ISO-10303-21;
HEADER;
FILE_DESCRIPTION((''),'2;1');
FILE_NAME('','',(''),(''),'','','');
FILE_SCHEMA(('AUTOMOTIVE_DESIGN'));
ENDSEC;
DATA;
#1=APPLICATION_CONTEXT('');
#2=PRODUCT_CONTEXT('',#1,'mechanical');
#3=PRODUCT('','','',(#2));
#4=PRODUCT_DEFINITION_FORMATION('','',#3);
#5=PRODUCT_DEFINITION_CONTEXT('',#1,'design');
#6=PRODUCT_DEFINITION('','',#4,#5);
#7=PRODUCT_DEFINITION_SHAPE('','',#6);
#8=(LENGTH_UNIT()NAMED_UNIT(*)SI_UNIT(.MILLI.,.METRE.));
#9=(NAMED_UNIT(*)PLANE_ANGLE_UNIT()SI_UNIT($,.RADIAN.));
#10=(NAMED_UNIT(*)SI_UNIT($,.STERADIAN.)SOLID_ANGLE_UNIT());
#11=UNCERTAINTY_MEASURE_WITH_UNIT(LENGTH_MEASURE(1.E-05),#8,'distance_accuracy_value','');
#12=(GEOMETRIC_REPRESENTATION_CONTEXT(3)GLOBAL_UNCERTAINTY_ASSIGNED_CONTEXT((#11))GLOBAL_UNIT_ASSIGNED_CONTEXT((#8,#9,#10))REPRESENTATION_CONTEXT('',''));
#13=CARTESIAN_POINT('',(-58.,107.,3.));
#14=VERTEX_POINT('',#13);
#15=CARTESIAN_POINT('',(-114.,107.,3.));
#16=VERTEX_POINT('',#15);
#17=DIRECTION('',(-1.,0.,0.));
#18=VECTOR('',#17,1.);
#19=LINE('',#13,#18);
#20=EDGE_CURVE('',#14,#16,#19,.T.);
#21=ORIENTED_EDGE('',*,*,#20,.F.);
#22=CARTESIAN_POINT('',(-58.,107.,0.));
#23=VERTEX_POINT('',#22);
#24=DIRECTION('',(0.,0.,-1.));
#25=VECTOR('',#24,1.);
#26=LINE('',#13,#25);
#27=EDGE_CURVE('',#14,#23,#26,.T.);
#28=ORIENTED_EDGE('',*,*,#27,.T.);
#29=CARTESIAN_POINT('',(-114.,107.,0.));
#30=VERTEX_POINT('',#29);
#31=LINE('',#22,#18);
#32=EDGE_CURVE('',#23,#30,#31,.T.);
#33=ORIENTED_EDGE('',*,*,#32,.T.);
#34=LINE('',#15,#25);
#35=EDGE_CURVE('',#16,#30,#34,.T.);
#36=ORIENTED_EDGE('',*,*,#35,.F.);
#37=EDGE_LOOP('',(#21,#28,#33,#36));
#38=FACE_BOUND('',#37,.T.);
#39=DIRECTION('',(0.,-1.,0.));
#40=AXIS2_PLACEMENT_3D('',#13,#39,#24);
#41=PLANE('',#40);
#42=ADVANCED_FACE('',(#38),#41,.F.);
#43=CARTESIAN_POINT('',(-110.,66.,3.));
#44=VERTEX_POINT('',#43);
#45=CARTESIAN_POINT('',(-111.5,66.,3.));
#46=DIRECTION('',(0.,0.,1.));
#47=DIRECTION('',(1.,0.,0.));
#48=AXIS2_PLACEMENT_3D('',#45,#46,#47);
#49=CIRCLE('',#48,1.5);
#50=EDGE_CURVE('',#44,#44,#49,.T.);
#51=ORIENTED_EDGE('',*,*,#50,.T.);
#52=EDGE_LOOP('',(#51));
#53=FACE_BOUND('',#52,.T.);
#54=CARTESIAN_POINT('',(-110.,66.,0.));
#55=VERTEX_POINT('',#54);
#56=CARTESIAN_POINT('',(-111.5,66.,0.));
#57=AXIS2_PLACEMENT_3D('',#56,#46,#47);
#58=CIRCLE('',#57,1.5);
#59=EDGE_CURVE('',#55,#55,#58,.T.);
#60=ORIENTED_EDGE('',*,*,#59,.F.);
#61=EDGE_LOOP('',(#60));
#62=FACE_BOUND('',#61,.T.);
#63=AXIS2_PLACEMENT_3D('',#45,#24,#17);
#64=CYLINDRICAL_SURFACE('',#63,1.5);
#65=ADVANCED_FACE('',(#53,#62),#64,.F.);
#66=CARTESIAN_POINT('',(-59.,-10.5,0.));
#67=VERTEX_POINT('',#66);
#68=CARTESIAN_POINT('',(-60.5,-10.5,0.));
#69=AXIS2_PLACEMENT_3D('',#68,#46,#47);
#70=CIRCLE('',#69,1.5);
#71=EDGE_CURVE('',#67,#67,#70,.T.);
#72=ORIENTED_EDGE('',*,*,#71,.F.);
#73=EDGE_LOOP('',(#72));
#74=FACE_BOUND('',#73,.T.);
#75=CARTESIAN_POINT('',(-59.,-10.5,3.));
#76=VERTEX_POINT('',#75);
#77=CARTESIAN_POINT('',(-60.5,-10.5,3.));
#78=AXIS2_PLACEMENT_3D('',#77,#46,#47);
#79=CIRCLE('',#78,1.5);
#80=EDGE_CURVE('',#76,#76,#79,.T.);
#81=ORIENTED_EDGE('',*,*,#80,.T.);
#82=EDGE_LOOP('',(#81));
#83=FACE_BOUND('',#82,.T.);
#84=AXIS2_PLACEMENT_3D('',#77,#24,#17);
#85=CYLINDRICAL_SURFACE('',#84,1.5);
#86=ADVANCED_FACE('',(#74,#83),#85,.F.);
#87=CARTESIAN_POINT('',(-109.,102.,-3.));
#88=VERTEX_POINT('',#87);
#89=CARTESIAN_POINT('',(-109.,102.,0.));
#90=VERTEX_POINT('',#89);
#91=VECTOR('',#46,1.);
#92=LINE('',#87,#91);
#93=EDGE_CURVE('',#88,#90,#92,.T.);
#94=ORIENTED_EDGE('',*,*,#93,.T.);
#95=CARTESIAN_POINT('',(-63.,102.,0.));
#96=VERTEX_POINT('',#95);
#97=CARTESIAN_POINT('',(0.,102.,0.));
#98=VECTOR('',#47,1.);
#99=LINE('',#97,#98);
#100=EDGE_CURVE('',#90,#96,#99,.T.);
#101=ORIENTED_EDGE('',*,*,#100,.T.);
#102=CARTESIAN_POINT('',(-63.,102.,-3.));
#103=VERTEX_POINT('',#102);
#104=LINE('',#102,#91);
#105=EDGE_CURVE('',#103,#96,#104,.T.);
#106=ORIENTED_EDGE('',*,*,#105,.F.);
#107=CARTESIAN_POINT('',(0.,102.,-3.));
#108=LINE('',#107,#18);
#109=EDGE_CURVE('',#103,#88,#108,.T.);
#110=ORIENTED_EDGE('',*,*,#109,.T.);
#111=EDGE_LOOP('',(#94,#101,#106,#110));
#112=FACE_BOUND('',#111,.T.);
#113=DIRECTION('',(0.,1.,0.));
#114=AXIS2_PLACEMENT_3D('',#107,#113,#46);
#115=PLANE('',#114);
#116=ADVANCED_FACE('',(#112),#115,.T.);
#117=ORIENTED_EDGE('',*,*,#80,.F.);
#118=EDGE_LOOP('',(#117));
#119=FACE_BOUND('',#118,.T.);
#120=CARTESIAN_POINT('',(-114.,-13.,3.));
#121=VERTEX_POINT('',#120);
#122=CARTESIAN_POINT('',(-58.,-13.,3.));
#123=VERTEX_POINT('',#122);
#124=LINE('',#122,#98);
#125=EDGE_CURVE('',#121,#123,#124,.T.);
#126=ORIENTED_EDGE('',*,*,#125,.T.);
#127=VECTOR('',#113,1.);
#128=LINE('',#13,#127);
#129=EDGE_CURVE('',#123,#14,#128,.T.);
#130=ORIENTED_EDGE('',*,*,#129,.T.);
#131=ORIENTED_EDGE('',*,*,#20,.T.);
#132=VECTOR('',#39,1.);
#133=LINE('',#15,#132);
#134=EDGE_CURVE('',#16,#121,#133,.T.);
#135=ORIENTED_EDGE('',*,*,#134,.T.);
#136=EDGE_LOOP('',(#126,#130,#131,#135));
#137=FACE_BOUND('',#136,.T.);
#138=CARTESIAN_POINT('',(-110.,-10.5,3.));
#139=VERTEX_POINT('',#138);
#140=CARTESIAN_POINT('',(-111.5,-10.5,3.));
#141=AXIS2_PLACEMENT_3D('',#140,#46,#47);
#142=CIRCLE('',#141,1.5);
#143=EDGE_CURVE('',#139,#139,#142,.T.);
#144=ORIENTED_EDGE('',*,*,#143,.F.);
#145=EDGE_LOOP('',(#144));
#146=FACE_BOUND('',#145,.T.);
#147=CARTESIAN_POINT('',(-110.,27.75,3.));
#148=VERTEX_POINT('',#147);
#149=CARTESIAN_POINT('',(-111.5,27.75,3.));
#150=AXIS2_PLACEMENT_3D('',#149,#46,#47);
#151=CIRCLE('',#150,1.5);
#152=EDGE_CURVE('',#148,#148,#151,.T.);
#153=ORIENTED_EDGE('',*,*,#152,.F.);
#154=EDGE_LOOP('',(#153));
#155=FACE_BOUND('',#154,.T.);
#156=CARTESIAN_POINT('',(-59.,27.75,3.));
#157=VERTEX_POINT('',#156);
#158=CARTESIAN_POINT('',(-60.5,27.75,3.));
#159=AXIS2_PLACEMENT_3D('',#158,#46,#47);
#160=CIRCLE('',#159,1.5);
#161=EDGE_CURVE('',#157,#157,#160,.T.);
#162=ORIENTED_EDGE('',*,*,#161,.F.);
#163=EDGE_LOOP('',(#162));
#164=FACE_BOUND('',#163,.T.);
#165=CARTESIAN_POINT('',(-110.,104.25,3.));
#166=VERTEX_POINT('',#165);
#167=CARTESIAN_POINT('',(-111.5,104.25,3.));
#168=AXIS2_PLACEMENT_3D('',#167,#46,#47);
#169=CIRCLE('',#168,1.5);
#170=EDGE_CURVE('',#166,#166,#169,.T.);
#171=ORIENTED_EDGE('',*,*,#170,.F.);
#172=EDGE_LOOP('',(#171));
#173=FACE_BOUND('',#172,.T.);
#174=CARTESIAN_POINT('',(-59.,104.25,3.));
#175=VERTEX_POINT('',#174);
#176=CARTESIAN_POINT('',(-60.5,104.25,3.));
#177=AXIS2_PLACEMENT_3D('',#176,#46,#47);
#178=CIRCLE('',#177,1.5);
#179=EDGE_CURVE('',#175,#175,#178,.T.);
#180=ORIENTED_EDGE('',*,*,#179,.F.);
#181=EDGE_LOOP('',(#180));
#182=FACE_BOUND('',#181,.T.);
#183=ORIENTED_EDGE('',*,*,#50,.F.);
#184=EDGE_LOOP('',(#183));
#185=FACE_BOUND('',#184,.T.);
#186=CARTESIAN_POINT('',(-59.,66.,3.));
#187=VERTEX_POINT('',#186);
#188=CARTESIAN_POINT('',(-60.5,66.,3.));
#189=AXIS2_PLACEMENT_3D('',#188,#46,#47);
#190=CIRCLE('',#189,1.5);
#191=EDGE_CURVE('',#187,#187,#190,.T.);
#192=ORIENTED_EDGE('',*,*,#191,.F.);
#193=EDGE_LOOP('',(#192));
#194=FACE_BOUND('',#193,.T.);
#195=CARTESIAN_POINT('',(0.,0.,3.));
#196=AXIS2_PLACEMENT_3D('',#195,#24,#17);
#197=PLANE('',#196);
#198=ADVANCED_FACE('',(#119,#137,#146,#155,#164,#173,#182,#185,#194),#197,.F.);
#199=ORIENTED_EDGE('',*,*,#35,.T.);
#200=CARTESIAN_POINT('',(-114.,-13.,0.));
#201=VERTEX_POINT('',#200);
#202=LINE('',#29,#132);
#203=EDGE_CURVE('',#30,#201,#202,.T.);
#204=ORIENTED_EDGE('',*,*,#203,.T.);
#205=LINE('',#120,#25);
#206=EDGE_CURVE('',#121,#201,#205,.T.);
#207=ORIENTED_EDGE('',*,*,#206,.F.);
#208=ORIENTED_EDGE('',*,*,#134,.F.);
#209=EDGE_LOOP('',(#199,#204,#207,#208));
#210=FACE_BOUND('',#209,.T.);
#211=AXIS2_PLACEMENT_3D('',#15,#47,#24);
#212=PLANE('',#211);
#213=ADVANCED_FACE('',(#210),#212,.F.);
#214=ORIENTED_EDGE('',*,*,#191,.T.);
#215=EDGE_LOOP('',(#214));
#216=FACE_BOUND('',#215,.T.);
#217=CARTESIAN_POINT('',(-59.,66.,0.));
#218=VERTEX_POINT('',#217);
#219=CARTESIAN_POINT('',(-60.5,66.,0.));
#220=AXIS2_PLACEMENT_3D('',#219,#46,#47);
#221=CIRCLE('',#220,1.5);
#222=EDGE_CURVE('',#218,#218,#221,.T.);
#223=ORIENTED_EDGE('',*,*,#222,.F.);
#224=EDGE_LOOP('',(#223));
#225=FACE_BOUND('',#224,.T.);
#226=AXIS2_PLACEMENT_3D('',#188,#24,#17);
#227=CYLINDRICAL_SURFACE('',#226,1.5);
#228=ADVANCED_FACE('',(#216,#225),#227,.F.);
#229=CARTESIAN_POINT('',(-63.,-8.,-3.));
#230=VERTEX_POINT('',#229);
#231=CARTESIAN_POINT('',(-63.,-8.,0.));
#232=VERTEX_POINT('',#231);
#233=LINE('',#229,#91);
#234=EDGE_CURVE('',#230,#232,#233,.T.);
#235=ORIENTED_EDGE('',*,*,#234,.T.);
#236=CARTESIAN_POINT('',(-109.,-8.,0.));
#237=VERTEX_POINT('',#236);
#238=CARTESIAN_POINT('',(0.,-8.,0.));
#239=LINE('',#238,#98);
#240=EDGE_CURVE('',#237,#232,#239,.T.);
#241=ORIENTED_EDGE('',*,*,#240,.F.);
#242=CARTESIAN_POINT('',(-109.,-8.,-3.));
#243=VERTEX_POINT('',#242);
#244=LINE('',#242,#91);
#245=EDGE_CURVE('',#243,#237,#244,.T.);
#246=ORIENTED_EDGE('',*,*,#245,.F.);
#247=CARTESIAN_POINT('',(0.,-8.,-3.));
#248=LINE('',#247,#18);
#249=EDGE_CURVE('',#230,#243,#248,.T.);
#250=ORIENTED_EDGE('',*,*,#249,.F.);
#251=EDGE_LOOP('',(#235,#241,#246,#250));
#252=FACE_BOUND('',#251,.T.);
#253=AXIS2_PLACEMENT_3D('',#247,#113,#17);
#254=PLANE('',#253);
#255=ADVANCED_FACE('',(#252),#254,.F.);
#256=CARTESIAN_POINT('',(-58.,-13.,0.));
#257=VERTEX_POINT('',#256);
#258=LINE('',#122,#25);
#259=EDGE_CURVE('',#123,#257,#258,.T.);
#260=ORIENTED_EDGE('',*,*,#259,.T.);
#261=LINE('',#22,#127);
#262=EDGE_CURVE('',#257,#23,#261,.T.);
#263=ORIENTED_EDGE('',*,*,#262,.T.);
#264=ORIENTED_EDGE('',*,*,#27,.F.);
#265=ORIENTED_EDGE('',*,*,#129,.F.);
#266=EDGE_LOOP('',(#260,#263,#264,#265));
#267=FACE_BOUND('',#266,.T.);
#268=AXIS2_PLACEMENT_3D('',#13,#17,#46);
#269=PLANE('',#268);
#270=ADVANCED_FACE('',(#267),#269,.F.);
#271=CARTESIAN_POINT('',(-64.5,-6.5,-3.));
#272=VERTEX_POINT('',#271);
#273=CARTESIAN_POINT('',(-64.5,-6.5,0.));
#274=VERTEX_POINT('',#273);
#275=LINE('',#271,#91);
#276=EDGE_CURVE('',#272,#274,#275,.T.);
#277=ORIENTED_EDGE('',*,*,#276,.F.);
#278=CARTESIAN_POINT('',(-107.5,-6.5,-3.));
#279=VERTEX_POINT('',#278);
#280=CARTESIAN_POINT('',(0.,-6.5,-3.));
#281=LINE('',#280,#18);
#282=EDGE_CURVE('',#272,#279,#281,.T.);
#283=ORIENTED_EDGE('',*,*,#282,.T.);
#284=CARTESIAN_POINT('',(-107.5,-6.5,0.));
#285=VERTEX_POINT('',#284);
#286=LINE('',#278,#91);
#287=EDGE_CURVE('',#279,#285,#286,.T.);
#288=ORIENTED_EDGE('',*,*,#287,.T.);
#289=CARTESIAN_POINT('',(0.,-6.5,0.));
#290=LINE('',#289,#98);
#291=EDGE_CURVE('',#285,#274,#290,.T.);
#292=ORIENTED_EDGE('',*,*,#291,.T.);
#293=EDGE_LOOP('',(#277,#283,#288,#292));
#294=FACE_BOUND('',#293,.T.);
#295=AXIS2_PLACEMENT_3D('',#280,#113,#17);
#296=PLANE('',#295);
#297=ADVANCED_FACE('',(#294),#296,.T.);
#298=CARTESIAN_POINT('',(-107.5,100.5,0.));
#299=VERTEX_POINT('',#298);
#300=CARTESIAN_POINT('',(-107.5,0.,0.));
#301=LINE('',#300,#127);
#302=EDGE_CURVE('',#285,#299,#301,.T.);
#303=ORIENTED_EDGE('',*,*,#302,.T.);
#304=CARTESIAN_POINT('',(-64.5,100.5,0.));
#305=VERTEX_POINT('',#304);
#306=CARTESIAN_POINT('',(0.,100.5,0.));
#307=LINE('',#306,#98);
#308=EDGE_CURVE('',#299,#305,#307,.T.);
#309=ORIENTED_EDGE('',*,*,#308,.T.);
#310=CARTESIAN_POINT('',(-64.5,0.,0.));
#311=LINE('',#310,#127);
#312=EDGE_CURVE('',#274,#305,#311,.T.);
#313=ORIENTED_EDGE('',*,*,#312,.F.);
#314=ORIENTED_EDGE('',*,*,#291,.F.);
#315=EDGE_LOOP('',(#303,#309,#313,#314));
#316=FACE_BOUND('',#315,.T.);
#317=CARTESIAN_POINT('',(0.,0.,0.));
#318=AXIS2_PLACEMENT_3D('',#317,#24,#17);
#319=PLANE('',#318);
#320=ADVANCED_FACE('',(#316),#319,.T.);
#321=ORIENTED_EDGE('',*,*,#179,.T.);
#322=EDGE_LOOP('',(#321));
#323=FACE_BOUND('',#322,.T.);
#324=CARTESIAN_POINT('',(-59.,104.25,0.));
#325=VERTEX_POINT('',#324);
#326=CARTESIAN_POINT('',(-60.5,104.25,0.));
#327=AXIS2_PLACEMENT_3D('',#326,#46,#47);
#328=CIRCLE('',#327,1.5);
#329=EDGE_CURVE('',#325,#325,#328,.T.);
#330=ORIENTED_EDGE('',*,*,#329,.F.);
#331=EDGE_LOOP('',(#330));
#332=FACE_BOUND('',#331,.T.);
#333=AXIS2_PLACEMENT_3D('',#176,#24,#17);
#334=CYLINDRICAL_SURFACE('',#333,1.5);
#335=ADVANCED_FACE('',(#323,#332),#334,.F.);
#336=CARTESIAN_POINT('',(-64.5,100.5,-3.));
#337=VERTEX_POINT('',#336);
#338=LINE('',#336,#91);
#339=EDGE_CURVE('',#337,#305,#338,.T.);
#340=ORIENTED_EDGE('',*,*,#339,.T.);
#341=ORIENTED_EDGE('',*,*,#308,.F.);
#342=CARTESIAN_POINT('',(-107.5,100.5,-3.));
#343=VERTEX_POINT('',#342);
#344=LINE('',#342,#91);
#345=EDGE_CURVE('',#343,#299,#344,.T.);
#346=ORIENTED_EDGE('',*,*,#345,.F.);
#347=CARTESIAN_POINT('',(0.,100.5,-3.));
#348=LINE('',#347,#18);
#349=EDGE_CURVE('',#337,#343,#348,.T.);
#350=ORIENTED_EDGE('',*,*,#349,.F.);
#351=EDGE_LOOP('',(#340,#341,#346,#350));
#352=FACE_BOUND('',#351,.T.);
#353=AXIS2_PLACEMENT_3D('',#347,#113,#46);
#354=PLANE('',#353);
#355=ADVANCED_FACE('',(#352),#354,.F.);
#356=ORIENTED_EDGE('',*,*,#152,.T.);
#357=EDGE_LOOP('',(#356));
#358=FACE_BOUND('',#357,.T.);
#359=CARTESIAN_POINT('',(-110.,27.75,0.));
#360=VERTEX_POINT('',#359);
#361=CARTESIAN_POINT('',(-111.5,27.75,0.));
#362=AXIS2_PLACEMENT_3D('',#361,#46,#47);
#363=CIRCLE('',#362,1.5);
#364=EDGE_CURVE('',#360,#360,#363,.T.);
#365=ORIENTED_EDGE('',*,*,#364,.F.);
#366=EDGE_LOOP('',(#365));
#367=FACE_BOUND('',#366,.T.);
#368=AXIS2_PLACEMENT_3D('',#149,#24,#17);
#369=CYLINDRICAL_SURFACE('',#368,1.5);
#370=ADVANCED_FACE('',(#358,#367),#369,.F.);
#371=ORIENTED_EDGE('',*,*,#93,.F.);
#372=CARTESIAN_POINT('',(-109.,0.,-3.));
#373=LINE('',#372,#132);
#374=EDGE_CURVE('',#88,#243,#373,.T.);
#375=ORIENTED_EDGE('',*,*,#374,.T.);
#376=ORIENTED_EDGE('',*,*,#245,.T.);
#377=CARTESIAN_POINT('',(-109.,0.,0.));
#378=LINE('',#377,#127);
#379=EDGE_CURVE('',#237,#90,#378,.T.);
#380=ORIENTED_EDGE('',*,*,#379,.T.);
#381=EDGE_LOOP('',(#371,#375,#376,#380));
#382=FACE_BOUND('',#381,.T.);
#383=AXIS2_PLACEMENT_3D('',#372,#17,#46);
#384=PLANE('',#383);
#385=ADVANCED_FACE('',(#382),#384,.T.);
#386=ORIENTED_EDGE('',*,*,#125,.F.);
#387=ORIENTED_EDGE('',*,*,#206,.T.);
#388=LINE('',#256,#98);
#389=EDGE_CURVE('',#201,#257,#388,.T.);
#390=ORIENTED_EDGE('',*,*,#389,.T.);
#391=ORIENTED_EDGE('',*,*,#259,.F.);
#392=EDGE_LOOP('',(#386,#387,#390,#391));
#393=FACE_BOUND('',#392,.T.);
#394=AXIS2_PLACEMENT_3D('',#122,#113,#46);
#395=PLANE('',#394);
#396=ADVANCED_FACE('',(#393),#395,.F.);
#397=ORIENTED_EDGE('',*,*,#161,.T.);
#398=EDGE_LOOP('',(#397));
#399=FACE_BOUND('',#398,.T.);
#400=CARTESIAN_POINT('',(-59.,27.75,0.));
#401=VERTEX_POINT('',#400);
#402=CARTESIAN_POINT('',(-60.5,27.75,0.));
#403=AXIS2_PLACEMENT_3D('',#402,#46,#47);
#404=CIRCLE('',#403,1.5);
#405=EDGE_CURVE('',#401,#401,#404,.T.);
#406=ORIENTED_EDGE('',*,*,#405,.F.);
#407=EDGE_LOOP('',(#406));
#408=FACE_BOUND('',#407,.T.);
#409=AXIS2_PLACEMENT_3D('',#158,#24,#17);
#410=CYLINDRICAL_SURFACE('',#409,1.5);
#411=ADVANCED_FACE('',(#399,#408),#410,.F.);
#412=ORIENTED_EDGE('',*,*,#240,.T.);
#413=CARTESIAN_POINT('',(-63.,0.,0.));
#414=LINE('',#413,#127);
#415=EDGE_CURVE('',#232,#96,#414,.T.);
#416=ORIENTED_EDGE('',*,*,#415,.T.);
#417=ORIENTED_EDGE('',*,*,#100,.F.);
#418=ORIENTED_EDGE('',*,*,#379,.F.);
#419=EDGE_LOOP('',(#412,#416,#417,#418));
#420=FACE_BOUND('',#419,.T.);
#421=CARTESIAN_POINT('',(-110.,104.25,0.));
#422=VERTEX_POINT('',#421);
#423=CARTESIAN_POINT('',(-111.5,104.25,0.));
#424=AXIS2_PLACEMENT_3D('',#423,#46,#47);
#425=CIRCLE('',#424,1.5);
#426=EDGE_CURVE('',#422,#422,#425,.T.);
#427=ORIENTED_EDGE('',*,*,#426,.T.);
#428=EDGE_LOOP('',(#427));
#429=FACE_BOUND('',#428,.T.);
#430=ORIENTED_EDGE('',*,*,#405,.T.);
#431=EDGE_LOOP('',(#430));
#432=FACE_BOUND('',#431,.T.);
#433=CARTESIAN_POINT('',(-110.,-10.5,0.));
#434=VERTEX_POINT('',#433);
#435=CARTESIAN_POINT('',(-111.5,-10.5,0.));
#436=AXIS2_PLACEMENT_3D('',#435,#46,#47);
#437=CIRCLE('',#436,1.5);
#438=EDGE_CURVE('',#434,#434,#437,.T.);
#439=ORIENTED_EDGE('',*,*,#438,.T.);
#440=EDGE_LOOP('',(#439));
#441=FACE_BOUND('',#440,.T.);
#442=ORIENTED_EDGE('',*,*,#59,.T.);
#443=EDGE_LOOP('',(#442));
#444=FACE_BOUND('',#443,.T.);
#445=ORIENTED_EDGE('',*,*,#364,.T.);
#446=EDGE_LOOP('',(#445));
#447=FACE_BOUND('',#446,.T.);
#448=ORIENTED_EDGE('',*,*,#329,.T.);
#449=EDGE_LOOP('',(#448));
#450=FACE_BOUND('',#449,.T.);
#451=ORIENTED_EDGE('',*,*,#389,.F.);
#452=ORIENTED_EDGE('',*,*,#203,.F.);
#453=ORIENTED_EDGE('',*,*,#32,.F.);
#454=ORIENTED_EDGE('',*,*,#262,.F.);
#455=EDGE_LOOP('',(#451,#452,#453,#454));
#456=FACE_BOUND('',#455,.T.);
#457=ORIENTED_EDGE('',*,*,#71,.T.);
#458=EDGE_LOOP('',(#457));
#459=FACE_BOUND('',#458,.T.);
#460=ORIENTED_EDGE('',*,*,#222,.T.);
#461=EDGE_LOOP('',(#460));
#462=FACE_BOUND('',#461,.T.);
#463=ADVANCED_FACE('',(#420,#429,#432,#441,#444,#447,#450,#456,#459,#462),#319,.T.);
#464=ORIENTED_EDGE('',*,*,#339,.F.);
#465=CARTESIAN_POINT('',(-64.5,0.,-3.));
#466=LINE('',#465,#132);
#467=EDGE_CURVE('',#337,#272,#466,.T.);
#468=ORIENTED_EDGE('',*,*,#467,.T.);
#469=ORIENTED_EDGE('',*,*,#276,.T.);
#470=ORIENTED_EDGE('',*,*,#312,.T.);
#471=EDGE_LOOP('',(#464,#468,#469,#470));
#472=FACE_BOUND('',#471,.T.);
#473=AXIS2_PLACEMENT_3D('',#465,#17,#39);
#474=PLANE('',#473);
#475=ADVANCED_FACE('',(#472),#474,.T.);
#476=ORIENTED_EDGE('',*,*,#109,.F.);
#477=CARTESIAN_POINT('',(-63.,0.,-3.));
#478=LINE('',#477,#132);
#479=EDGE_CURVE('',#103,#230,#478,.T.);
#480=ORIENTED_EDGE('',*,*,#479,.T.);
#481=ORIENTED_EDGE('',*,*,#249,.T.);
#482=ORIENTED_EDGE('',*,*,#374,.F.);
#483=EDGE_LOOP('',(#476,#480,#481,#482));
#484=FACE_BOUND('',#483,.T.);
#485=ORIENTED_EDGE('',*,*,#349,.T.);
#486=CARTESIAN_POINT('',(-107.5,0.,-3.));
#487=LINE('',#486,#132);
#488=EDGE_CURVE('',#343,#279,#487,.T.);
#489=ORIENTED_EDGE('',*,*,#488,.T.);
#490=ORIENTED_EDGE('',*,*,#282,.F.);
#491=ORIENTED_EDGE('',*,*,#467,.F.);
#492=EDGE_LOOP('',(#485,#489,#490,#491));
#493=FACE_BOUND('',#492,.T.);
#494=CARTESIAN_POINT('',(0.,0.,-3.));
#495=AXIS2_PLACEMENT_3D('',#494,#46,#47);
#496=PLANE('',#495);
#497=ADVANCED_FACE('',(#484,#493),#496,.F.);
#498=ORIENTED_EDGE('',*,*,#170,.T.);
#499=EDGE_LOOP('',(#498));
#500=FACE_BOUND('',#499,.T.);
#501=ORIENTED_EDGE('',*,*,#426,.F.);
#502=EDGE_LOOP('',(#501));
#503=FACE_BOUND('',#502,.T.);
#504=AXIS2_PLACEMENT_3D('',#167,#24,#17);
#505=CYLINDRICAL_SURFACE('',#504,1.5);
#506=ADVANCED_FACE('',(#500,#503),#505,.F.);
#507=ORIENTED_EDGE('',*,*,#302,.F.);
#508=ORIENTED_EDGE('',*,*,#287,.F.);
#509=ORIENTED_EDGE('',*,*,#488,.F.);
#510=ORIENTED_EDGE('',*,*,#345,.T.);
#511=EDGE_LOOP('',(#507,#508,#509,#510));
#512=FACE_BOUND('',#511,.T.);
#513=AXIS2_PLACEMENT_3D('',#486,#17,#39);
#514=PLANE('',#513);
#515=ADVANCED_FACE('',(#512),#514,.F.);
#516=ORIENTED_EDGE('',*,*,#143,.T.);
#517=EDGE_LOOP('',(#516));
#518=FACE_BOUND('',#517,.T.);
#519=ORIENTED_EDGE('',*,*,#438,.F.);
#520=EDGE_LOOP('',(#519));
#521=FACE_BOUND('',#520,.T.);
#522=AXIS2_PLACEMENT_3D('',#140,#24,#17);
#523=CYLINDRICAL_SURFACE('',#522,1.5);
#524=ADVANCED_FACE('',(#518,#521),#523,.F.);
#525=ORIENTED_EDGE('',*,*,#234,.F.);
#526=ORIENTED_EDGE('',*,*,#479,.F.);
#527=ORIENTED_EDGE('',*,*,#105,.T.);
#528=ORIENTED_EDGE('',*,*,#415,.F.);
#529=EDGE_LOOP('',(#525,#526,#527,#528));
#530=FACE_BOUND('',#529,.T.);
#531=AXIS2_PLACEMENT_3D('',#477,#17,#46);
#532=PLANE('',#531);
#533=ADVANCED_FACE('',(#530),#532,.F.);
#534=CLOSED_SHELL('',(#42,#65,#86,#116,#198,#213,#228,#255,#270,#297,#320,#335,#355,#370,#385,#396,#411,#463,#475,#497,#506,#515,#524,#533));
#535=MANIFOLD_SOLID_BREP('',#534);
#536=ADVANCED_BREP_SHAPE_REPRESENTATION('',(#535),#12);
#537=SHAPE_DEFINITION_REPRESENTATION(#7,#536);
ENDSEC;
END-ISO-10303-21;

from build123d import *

# Parameters (mm, degrees)
SKICA1_W                = 56
SKICA1_H                = 120
SKICA1_R                = 1.5
P_IDAT_VYSUNUT_M1_DEPTH = 3
SKICA2_W                = 46
SKICA2_H                = 110
SKICA2_W_2              = 43
SKICA2_H_2              = 107
P_IDAT_VYSUNUT_M2_DEPTH = 6


with BuildPart() as part:
    # Skica1 → Přidat vysunutím1 (new body)
    with BuildSketch(Plane.XY):
        with Locations((-86, 47)):
            Rectangle(SKICA1_W, SKICA1_H)
        with Locations((-60.5, -10.5)):
            Circle(SKICA1_R, mode=Mode.SUBTRACT)
        with Locations((-111.5, -10.5)):
            Circle(SKICA1_R, mode=Mode.SUBTRACT)
        with Locations((-111.5, 27.75)):
            Circle(SKICA1_R, mode=Mode.SUBTRACT)
        with Locations((-111.5, 66)):
            Circle(SKICA1_R, mode=Mode.SUBTRACT)
        with Locations((-111.5, 104.25)):
            Circle(SKICA1_R, mode=Mode.SUBTRACT)
        with Locations((-60.5, 27.75)):
            Circle(SKICA1_R, mode=Mode.SUBTRACT)
        with Locations((-60.5, 66)):
            Circle(SKICA1_R, mode=Mode.SUBTRACT)
        with Locations((-60.5, 104.25)):
            Circle(SKICA1_R, mode=Mode.SUBTRACT)
    extrude(amount=P_IDAT_VYSUNUT_M1_DEPTH)

    # Skica2 → Přidat vysunutím2 (add)
    with BuildSketch(Plane.XY.offset(3)):
        with Locations((-86, 47)):
            Rectangle(SKICA2_W, SKICA2_H)
        with Locations((-86, 47)):
            Rectangle(SKICA2_W_2, SKICA2_H_2, mode=Mode.SUBTRACT)
    extrude(amount=-P_IDAT_VYSUNUT_M2_DEPTH)


solid = part.part
